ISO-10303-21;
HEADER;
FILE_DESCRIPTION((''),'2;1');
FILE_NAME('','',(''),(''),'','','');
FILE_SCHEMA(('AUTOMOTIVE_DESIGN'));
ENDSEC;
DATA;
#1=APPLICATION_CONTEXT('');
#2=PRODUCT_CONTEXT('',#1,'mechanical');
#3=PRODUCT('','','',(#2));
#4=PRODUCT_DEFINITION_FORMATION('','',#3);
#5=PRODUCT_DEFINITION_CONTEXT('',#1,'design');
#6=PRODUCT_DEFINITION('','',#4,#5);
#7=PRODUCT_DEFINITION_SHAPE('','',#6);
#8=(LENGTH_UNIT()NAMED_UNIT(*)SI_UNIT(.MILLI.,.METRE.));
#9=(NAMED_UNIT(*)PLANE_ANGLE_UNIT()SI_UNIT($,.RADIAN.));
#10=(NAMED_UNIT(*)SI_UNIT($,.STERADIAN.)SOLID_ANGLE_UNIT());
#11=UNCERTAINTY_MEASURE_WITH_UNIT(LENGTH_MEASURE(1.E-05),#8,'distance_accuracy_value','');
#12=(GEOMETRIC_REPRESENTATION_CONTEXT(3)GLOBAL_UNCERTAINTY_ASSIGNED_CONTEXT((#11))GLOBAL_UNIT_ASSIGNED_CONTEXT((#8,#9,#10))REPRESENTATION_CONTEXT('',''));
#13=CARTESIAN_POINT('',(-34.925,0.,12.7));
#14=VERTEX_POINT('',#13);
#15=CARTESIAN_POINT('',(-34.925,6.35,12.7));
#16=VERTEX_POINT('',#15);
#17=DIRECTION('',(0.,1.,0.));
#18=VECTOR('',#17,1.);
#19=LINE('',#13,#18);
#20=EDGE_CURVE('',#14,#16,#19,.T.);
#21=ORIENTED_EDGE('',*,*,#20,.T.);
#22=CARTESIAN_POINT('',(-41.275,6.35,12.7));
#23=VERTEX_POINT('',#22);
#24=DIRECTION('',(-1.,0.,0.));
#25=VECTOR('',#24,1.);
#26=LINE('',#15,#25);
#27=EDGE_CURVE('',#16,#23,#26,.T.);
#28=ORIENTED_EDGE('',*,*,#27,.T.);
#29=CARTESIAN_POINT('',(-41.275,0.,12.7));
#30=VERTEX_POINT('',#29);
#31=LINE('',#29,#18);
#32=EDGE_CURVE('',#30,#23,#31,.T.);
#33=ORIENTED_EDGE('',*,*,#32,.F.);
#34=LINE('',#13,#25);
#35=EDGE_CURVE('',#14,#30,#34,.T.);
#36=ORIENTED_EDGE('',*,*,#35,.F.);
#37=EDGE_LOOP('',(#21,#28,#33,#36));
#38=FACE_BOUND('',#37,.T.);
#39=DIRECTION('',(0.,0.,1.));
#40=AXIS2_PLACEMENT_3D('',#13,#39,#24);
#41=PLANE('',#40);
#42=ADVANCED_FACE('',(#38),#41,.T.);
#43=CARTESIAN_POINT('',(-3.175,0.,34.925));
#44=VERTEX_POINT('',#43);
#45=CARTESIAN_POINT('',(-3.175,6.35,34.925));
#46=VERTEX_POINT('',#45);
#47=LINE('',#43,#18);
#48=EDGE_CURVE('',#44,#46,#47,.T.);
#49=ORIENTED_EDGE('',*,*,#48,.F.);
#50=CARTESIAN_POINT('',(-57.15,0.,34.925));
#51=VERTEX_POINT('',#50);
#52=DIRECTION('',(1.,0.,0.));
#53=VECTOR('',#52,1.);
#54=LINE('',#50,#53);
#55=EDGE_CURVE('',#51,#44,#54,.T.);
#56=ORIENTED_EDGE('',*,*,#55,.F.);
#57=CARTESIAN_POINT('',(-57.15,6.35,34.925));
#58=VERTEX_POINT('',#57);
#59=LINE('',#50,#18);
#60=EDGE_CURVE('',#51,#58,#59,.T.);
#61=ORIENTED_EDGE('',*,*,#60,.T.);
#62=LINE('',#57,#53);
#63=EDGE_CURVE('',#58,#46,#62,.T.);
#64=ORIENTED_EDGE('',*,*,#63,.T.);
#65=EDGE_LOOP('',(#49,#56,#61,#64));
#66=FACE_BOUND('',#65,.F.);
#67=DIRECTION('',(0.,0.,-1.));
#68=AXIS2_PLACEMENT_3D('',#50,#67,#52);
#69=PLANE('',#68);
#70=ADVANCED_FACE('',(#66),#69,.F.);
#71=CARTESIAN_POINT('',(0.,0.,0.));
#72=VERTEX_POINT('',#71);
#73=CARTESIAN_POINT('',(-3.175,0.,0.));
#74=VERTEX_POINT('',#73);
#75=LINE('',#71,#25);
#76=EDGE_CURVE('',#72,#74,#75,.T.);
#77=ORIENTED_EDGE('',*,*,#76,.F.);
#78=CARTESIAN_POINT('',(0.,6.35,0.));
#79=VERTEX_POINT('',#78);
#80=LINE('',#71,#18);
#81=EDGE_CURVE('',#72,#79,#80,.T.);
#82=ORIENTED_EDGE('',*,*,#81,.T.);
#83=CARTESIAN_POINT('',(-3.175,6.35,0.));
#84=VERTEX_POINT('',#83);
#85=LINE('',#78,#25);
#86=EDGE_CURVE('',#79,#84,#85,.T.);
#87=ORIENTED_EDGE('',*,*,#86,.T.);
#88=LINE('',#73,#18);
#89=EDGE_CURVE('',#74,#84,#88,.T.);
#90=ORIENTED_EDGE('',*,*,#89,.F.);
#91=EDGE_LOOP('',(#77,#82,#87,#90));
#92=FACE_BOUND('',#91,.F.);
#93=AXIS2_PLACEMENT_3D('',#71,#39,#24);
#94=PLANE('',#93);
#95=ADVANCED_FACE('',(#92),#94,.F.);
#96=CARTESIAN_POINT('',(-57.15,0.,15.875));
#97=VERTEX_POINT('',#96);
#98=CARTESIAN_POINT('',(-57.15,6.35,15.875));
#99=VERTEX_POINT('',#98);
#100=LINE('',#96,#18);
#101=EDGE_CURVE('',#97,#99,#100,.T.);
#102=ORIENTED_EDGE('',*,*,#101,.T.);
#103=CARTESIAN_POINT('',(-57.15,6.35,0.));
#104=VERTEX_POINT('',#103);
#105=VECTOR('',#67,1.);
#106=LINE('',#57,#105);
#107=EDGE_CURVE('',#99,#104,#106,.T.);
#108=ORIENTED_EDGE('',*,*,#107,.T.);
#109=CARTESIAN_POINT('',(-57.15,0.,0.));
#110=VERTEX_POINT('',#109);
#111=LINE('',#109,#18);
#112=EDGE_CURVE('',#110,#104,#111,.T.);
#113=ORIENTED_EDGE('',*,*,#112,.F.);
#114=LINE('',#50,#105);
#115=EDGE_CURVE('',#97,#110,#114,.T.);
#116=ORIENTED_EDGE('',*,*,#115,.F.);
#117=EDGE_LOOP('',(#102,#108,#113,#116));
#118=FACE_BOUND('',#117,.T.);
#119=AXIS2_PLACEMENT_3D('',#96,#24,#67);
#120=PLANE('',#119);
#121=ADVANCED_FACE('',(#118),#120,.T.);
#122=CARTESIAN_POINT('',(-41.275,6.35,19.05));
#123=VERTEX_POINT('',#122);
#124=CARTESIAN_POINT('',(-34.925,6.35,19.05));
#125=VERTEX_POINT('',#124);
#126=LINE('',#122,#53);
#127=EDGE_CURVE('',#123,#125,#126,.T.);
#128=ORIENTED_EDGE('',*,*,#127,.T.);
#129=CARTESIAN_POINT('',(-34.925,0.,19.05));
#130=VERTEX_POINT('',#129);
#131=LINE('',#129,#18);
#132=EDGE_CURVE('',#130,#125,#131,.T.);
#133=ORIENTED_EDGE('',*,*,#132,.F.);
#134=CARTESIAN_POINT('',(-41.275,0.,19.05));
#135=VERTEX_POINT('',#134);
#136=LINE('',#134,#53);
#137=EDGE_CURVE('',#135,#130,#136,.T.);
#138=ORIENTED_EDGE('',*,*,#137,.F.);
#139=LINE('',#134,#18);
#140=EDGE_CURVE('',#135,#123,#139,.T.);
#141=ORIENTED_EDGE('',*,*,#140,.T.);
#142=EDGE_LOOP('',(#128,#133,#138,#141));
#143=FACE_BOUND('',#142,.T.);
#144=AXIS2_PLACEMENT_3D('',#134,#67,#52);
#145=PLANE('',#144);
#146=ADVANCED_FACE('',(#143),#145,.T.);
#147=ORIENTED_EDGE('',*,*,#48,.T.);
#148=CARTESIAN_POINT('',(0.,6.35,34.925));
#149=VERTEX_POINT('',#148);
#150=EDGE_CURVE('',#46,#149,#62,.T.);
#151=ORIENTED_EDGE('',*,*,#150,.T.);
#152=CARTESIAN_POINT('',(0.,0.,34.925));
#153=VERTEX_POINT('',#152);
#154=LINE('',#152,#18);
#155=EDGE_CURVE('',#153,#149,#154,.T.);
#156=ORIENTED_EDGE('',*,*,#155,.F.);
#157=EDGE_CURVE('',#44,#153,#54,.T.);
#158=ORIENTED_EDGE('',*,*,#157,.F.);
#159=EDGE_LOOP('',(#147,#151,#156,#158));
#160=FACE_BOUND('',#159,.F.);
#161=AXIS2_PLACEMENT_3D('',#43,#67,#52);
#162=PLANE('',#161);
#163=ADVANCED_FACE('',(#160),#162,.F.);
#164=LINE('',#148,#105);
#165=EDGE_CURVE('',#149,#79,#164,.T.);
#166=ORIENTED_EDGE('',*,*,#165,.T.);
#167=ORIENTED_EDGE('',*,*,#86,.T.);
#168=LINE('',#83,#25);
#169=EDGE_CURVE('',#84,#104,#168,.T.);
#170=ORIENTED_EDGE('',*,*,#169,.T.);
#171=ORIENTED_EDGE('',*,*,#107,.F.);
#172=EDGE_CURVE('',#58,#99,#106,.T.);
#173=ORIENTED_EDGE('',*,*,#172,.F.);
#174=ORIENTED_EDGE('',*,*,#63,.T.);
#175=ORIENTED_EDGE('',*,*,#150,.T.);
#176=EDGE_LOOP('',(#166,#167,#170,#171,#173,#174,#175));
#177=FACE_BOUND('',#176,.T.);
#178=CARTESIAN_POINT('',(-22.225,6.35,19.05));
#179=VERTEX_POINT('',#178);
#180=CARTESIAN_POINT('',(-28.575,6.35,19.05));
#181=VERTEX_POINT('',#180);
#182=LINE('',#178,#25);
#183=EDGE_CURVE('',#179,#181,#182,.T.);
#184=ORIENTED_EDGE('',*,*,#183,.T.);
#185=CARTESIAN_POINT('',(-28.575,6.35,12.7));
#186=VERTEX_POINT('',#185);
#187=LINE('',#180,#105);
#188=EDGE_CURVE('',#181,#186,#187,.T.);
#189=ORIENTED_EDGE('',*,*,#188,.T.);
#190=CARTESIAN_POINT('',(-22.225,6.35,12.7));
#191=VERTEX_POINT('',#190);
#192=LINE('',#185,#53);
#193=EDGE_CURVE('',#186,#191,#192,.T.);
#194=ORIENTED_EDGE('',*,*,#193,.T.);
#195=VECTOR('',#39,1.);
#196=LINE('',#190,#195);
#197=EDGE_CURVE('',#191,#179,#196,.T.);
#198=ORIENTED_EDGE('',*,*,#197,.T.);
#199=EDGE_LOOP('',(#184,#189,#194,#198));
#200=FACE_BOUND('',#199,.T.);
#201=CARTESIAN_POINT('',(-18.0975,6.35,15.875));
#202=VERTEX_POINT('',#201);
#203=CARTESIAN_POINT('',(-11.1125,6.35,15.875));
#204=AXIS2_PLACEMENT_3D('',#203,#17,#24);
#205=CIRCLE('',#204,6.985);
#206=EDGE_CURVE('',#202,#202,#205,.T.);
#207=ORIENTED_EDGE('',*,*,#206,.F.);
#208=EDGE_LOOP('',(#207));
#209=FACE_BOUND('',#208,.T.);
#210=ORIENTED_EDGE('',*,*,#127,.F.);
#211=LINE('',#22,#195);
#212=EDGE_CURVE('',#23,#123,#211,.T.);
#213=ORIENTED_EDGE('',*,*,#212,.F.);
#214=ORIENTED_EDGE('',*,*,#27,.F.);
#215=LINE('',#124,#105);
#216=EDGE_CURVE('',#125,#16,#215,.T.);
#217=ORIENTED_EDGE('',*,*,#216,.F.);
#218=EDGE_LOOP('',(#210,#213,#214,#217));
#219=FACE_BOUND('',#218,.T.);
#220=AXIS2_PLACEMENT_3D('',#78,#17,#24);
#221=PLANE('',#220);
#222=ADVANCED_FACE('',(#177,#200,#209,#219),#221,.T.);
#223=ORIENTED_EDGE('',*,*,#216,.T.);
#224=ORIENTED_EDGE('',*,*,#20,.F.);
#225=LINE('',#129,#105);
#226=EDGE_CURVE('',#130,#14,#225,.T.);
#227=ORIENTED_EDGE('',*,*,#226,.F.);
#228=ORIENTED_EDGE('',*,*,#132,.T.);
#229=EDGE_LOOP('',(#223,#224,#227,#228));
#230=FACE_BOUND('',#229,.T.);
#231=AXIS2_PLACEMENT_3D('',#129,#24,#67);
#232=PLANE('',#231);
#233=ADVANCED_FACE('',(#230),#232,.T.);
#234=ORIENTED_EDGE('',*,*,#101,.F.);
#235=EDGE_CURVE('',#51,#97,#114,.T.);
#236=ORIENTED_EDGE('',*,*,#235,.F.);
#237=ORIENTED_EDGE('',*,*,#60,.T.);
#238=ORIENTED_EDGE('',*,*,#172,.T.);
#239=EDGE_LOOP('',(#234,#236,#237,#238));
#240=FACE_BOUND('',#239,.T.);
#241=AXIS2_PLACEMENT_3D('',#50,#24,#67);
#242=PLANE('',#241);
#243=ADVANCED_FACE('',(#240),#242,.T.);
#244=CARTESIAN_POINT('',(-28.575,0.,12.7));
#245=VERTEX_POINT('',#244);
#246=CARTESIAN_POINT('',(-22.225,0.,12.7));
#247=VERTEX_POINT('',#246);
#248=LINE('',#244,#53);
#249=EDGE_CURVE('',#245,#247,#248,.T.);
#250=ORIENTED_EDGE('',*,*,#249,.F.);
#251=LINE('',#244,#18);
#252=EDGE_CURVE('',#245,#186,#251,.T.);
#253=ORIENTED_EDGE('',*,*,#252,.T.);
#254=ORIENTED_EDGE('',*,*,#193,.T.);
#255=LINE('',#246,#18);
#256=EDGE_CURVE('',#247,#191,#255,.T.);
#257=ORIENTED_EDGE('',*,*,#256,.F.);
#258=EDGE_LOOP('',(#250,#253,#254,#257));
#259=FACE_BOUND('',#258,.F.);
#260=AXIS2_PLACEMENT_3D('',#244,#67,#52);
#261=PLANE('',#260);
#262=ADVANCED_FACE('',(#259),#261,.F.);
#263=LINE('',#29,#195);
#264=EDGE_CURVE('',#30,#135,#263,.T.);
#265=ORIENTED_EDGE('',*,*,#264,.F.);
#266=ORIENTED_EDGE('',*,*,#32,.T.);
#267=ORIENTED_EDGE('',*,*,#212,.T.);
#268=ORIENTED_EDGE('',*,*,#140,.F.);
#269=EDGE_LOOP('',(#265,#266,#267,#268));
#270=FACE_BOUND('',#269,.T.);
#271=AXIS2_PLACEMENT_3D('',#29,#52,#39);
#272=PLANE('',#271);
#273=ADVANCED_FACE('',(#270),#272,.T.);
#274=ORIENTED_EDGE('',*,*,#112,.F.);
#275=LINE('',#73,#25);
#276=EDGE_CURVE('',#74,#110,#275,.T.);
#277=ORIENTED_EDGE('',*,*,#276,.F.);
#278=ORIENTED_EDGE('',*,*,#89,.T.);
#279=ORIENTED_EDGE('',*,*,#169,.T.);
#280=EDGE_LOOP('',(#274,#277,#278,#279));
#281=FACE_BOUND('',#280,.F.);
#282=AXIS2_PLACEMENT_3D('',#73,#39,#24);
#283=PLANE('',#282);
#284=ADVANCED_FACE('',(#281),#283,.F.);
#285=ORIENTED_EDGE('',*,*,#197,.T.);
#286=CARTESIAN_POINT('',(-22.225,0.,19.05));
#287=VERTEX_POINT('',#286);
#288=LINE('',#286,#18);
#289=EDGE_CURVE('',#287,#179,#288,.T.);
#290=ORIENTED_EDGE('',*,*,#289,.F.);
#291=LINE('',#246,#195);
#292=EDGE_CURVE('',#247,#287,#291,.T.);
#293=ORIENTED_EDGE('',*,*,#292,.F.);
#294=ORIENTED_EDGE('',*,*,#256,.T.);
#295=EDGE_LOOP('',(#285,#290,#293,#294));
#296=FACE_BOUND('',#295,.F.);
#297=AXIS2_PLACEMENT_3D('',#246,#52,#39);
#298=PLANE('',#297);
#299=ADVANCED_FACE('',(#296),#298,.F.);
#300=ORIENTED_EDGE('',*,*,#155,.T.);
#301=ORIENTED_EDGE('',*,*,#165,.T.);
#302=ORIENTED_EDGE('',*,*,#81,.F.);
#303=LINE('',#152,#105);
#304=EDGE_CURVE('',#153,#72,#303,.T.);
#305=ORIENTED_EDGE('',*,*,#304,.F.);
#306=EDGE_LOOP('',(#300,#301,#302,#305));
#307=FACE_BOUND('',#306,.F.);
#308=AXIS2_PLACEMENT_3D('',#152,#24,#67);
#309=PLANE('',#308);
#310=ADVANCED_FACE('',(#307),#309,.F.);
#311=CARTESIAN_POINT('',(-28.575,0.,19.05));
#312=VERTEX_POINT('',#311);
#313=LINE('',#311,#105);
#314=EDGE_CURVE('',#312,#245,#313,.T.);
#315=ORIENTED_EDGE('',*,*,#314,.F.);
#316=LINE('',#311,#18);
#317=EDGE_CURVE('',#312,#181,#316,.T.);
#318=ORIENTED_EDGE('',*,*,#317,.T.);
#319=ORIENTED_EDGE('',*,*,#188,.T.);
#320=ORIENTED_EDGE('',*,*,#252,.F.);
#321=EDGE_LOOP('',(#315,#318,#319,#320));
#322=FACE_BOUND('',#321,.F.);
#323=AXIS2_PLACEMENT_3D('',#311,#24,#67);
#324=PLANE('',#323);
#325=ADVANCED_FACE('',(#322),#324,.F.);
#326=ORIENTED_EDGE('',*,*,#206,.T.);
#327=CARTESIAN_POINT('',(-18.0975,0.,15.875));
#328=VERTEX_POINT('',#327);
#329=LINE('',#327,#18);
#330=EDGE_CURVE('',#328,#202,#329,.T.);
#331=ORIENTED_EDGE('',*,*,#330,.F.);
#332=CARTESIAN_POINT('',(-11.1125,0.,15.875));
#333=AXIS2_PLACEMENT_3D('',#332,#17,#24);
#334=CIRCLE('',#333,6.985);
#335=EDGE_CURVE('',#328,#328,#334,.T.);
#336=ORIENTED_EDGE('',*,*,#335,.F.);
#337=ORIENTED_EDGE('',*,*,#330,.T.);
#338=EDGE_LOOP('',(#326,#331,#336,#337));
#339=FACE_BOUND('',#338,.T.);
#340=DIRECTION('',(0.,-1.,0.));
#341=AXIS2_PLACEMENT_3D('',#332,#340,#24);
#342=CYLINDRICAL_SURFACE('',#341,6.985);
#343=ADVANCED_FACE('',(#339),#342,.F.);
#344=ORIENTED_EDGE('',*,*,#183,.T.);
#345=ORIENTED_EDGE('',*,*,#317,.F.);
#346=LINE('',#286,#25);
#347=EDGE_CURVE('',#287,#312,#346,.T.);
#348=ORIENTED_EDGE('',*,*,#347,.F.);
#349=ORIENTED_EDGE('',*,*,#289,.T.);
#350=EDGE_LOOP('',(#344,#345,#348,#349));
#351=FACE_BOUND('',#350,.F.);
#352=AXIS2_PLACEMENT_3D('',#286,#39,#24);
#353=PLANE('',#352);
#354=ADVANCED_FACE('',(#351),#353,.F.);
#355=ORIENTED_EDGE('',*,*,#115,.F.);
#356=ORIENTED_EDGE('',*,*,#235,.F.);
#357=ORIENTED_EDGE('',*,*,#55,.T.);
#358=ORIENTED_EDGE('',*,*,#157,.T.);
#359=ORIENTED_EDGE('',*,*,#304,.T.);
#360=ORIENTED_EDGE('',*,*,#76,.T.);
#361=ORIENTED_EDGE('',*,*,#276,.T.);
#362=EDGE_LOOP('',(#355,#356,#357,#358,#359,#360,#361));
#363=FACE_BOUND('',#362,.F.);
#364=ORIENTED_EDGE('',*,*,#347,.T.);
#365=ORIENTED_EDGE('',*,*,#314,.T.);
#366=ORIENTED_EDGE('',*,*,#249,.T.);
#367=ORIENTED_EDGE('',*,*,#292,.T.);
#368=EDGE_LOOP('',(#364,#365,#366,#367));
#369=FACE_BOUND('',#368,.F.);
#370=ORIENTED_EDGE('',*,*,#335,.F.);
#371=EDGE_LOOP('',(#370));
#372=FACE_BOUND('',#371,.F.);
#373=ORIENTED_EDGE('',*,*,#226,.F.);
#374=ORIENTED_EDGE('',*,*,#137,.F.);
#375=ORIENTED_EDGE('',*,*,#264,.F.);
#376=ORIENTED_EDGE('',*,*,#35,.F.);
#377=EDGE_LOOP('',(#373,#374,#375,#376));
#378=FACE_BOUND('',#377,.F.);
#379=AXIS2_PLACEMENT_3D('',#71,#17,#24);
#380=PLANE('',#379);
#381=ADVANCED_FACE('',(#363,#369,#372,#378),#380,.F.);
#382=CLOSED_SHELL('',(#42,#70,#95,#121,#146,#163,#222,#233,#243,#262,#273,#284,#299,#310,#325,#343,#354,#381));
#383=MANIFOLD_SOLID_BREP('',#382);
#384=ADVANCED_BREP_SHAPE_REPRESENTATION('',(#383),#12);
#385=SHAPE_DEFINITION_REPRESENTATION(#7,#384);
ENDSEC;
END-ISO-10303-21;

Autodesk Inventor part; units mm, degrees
ref_plane "YZ Plane" through (0, 0, 0) normal (1, 0, 0) x (0, 1, 0)
ref_plane "XZ Plane" through (0, 0, 0) normal (0, 1, 0) x (-1, 0, 0)
ref_plane "XY Plane" through (0, 0, 0) normal (0, 0, 1) x (1, 0, 0)
sketch "Sketch1" plane through (0, 0, 0) normal (0, 1, 0) x (-1, 0, 0)
  line L0 (57.15, 34.925) -> (57.15, 0)
  line L1 (57.15, 34.925) -> (0, 34.925)
  line L2 (57.15, 0) -> (57.15, 15.875)
  line L3 (34.925, 12.7) -> (41.275, 12.7)
  line L4 (41.275, 12.7) -> (41.275, 19.05)
  line L5 (41.275, 19.05) -> (34.925, 19.05)
  line L6 (34.925, 19.05) -> (34.925, 12.7)
  line L7 (34.925, 12.7) -> (41.275, 19.05) construction
  line L8 (41.275, 12.7) -> (34.925, 19.05) construction
  line L9 (28.575, 12.7) -> (22.225, 12.7)
  line L10 (22.225, 12.7) -> (22.225, 19.05)
  line L11 (22.225, 19.05) -> (28.575, 19.05)
  line L12 (28.575, 19.05) -> (28.575, 12.7)
  line L13 (28.575, 12.7) -> (22.225, 19.05) construction
  line L14 (22.225, 12.7) -> (28.575, 19.05) construction
  circle A0 centre (11.1125, 15.875) radius 6.985
  line L15 (57.15, 34.925) -> (3.175, 34.925)
  line L16 (3.175, 0) -> (57.15, 0)
  line L17 (57.15, 0) -> (57.15, 34.925)
  line L18 (0, 34.925) -> (0, 0)
  line L19 (0, 0) -> (57.15, 0)
  point P0 (0, 0)
  dimension "d0" = 57.15
  dimension "d1" = 15.875
  dimension "d4" = 6.35
  dimension "d5" = 6.35
  dimension "d6" = 6.35
  dimension "d7" = 6.35
  dimension "d9" = 13.97
  dimension "d11" = 0
  dimension "d12" = 53.975
  dimension "d13" = 57.15
  dimension "d14" = 34.925
  dimension "d15" = 90
  dimension "d16" = 3.175
  dimension "d17" = 12.7
  dimension "d18" = 12.7
  dimension "d19" = 6.35
  dimension "d20" = 15.875
  dimension "d21" = 11.1125
  dimension "d22" = 15.875
  dimension "d23" = 11.1125
  dimension "d24" = 34.925
extrude "Extrusion1" add sketch "Sketch1" along normal blind 6.35
properties part number "RCcar_motor_testplate"
